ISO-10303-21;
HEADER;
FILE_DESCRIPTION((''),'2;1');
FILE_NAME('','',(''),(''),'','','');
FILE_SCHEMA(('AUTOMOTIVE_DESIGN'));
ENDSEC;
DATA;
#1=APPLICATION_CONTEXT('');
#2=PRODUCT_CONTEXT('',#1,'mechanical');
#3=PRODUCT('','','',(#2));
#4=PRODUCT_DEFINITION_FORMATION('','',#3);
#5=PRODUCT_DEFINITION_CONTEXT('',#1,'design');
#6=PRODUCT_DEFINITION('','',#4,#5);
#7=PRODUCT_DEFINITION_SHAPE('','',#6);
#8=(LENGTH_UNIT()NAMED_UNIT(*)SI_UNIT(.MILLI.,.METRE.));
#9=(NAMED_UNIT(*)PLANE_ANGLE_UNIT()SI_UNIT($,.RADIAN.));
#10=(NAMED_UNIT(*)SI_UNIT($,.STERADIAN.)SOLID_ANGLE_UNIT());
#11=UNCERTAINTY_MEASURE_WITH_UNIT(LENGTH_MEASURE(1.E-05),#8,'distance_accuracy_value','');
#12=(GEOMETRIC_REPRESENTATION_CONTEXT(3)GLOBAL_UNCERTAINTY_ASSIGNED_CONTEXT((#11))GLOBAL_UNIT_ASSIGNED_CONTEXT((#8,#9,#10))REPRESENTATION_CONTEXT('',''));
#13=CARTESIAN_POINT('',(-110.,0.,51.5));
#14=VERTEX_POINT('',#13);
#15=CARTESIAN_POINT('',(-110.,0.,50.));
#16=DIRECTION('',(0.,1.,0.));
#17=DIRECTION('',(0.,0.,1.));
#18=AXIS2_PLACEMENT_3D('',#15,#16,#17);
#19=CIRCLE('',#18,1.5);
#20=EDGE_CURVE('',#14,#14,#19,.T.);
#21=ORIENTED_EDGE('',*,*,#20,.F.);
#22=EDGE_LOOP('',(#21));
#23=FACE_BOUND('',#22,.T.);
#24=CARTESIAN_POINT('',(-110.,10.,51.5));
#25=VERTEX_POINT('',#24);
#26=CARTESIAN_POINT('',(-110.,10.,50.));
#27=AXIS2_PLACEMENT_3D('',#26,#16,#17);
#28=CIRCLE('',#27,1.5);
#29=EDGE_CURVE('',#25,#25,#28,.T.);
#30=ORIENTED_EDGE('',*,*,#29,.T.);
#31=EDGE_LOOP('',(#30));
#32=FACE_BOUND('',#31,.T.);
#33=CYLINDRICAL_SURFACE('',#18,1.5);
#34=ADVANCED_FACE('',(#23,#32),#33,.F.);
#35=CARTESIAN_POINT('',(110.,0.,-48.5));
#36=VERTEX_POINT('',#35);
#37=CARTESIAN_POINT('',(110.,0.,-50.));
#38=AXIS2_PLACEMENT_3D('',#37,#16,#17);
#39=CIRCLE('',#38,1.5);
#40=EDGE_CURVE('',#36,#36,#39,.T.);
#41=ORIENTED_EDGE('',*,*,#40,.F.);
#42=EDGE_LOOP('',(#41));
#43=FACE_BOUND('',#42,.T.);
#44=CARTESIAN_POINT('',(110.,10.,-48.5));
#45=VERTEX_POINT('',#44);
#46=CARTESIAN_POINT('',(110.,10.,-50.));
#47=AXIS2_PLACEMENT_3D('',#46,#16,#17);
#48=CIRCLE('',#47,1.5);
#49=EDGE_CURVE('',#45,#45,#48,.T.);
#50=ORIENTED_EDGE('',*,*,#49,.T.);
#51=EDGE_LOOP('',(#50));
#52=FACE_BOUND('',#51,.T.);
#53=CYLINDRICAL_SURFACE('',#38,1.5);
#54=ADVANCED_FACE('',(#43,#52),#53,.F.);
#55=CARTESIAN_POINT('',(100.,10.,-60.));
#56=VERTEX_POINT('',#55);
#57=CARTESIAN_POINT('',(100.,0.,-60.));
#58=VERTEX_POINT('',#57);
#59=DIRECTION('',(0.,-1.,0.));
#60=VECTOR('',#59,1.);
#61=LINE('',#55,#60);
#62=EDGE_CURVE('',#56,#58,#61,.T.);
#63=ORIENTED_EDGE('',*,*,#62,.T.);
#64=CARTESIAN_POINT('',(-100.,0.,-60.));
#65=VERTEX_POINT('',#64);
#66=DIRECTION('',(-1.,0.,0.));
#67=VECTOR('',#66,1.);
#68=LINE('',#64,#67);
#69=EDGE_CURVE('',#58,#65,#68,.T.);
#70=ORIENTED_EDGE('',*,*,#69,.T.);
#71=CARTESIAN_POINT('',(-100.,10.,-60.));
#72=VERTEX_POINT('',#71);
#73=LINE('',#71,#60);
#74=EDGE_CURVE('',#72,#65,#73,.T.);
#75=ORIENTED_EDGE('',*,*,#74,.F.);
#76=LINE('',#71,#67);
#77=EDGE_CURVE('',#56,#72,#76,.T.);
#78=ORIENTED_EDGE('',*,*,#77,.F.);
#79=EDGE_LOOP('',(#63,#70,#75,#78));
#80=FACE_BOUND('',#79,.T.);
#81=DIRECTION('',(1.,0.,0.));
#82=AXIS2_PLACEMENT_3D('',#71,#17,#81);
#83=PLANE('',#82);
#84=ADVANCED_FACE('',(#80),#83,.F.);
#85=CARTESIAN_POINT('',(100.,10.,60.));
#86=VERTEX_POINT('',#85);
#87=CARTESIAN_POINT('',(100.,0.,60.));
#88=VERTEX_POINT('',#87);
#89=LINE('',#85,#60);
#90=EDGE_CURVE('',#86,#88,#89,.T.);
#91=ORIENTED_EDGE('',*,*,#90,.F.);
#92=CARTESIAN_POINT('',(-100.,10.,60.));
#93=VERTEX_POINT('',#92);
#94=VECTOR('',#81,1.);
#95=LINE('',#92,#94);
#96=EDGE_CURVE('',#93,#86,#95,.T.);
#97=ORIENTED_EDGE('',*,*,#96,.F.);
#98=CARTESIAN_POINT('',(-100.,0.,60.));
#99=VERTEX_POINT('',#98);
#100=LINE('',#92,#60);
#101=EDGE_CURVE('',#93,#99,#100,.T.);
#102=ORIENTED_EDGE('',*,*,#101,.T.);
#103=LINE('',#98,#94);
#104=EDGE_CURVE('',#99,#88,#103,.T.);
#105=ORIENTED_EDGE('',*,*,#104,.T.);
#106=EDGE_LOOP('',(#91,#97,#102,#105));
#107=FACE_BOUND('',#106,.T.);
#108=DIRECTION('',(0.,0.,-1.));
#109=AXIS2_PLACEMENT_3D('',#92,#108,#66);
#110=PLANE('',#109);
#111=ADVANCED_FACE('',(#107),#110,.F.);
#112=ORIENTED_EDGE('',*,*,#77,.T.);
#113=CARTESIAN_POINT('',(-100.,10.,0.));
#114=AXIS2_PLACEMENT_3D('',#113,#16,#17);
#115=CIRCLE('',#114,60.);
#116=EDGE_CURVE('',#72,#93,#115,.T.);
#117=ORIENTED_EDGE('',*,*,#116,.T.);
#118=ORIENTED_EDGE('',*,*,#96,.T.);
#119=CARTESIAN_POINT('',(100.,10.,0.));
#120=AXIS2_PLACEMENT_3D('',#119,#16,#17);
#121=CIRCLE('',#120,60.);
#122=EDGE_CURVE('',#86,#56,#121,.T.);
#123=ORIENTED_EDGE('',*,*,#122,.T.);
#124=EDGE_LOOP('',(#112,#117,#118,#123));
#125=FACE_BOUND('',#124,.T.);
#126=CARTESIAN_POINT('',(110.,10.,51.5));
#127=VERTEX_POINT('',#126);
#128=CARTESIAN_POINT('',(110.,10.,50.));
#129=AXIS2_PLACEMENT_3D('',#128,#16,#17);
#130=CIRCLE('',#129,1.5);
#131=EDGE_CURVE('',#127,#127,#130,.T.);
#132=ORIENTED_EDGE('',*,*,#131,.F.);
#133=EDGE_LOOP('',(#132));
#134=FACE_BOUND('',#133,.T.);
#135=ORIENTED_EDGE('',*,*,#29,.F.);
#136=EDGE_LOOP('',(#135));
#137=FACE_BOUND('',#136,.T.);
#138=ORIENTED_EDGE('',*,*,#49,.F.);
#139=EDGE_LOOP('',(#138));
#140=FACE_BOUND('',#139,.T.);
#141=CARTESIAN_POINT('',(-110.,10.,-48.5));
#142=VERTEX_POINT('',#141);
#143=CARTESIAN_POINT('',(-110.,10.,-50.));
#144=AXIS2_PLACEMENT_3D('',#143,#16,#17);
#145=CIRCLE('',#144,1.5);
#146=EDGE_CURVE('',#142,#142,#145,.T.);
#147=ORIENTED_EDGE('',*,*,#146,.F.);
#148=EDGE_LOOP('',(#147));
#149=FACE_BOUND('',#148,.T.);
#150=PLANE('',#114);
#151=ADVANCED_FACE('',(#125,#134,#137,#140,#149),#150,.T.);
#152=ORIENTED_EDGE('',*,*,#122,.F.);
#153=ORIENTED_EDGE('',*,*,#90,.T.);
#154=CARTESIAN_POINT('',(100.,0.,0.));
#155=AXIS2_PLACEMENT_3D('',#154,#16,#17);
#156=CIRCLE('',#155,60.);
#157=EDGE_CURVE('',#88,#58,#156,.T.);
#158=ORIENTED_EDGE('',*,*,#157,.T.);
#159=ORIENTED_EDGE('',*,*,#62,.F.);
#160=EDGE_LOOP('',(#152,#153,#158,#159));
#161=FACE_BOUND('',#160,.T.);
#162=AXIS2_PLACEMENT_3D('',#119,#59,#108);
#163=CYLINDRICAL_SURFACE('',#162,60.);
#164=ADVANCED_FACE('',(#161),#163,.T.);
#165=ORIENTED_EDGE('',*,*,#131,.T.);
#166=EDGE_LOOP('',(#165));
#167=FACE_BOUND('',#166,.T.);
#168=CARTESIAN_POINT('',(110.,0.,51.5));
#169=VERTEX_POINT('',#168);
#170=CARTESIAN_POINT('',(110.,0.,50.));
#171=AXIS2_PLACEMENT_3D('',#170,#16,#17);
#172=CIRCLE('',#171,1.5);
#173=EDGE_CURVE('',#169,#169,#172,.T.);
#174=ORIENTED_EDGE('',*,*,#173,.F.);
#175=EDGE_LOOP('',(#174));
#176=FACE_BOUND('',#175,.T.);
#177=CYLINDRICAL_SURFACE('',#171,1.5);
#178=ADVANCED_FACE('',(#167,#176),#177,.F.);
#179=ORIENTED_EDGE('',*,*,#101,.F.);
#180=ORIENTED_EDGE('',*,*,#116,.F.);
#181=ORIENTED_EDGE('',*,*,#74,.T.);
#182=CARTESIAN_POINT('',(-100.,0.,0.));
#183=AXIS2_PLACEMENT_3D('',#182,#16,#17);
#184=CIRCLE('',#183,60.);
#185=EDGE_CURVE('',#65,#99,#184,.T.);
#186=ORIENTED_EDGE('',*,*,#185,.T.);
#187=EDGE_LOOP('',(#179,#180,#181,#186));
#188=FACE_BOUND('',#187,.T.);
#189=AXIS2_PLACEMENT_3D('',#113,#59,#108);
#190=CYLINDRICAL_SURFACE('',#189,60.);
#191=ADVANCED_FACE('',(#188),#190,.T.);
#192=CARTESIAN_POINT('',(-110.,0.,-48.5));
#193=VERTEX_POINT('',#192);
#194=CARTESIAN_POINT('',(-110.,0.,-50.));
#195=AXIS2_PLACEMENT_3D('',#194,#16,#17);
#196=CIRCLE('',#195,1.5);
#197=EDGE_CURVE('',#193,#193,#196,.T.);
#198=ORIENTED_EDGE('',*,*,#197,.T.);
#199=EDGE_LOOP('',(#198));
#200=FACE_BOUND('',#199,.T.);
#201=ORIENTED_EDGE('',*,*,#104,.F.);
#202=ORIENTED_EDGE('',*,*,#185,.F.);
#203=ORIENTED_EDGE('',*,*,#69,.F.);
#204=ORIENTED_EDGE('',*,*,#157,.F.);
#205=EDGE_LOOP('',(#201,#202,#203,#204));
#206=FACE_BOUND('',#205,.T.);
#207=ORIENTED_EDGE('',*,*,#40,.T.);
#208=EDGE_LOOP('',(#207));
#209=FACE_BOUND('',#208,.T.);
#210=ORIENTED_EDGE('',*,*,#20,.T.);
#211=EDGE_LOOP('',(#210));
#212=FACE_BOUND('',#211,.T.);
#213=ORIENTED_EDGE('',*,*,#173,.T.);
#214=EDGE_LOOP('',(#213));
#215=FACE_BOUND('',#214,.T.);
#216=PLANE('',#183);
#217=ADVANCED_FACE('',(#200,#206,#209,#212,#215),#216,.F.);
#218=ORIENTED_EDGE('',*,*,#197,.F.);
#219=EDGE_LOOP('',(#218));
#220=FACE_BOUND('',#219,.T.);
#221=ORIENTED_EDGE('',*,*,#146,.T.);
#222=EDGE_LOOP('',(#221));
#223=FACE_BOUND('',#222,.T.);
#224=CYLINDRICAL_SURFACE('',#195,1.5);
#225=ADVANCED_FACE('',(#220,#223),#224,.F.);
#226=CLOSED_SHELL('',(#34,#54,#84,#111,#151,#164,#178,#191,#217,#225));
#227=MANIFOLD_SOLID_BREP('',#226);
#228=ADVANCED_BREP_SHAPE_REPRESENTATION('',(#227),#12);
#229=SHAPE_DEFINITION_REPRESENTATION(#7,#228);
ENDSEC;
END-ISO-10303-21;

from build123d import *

# Parameters (mm, degrees)
BOSS_EXTRUDE1_DEPTH = 10
SKETCH2_R           = 1.5
CUT_EXTRUDE1_DEPTH  = 172.172427686


with BuildPart() as part:
    # Sketch1 → Boss-Extrude1 (new body)
    with BuildSketch(Plane(origin=(0, 0, 0), x_dir=(1, 0, 0), z_dir=(0, 1, 0))):
        with BuildLine():
            Line((-100, 60), (100, 60))
            ThreePointArc((100, 60), (160, 0), (100, -60))
            Line((100, -60), (-100, -60))
            ThreePointArc((-100, -60), (-160, 0), (-100, 60))
        make_face()
    extrude(amount=BOSS_EXTRUDE1_DEPTH)

    # Sketch2 → Cut-Extrude1 (cut, through all)
    with BuildSketch(Plane(origin=(0, 10, 0), x_dir=(1, 0, 0), z_dir=(0, 1, 0))):
        with Locations(Location((-110, 50, 0), (0, 0, 270))):
            Circle(SKETCH2_R)
        with Locations(Location((-110, -50, 0), (0, 0, 270))):
            Circle(SKETCH2_R)
        with Locations(Location((110, -50, 0), (0, 0, 270))):
            Circle(SKETCH2_R)
        with Locations(Location((110, 50, 0), (0, 0, 270))):
            Circle(SKETCH2_R)
    extrude(amount=-CUT_EXTRUDE1_DEPTH, mode=Mode.SUBTRACT)


solid = part.part
